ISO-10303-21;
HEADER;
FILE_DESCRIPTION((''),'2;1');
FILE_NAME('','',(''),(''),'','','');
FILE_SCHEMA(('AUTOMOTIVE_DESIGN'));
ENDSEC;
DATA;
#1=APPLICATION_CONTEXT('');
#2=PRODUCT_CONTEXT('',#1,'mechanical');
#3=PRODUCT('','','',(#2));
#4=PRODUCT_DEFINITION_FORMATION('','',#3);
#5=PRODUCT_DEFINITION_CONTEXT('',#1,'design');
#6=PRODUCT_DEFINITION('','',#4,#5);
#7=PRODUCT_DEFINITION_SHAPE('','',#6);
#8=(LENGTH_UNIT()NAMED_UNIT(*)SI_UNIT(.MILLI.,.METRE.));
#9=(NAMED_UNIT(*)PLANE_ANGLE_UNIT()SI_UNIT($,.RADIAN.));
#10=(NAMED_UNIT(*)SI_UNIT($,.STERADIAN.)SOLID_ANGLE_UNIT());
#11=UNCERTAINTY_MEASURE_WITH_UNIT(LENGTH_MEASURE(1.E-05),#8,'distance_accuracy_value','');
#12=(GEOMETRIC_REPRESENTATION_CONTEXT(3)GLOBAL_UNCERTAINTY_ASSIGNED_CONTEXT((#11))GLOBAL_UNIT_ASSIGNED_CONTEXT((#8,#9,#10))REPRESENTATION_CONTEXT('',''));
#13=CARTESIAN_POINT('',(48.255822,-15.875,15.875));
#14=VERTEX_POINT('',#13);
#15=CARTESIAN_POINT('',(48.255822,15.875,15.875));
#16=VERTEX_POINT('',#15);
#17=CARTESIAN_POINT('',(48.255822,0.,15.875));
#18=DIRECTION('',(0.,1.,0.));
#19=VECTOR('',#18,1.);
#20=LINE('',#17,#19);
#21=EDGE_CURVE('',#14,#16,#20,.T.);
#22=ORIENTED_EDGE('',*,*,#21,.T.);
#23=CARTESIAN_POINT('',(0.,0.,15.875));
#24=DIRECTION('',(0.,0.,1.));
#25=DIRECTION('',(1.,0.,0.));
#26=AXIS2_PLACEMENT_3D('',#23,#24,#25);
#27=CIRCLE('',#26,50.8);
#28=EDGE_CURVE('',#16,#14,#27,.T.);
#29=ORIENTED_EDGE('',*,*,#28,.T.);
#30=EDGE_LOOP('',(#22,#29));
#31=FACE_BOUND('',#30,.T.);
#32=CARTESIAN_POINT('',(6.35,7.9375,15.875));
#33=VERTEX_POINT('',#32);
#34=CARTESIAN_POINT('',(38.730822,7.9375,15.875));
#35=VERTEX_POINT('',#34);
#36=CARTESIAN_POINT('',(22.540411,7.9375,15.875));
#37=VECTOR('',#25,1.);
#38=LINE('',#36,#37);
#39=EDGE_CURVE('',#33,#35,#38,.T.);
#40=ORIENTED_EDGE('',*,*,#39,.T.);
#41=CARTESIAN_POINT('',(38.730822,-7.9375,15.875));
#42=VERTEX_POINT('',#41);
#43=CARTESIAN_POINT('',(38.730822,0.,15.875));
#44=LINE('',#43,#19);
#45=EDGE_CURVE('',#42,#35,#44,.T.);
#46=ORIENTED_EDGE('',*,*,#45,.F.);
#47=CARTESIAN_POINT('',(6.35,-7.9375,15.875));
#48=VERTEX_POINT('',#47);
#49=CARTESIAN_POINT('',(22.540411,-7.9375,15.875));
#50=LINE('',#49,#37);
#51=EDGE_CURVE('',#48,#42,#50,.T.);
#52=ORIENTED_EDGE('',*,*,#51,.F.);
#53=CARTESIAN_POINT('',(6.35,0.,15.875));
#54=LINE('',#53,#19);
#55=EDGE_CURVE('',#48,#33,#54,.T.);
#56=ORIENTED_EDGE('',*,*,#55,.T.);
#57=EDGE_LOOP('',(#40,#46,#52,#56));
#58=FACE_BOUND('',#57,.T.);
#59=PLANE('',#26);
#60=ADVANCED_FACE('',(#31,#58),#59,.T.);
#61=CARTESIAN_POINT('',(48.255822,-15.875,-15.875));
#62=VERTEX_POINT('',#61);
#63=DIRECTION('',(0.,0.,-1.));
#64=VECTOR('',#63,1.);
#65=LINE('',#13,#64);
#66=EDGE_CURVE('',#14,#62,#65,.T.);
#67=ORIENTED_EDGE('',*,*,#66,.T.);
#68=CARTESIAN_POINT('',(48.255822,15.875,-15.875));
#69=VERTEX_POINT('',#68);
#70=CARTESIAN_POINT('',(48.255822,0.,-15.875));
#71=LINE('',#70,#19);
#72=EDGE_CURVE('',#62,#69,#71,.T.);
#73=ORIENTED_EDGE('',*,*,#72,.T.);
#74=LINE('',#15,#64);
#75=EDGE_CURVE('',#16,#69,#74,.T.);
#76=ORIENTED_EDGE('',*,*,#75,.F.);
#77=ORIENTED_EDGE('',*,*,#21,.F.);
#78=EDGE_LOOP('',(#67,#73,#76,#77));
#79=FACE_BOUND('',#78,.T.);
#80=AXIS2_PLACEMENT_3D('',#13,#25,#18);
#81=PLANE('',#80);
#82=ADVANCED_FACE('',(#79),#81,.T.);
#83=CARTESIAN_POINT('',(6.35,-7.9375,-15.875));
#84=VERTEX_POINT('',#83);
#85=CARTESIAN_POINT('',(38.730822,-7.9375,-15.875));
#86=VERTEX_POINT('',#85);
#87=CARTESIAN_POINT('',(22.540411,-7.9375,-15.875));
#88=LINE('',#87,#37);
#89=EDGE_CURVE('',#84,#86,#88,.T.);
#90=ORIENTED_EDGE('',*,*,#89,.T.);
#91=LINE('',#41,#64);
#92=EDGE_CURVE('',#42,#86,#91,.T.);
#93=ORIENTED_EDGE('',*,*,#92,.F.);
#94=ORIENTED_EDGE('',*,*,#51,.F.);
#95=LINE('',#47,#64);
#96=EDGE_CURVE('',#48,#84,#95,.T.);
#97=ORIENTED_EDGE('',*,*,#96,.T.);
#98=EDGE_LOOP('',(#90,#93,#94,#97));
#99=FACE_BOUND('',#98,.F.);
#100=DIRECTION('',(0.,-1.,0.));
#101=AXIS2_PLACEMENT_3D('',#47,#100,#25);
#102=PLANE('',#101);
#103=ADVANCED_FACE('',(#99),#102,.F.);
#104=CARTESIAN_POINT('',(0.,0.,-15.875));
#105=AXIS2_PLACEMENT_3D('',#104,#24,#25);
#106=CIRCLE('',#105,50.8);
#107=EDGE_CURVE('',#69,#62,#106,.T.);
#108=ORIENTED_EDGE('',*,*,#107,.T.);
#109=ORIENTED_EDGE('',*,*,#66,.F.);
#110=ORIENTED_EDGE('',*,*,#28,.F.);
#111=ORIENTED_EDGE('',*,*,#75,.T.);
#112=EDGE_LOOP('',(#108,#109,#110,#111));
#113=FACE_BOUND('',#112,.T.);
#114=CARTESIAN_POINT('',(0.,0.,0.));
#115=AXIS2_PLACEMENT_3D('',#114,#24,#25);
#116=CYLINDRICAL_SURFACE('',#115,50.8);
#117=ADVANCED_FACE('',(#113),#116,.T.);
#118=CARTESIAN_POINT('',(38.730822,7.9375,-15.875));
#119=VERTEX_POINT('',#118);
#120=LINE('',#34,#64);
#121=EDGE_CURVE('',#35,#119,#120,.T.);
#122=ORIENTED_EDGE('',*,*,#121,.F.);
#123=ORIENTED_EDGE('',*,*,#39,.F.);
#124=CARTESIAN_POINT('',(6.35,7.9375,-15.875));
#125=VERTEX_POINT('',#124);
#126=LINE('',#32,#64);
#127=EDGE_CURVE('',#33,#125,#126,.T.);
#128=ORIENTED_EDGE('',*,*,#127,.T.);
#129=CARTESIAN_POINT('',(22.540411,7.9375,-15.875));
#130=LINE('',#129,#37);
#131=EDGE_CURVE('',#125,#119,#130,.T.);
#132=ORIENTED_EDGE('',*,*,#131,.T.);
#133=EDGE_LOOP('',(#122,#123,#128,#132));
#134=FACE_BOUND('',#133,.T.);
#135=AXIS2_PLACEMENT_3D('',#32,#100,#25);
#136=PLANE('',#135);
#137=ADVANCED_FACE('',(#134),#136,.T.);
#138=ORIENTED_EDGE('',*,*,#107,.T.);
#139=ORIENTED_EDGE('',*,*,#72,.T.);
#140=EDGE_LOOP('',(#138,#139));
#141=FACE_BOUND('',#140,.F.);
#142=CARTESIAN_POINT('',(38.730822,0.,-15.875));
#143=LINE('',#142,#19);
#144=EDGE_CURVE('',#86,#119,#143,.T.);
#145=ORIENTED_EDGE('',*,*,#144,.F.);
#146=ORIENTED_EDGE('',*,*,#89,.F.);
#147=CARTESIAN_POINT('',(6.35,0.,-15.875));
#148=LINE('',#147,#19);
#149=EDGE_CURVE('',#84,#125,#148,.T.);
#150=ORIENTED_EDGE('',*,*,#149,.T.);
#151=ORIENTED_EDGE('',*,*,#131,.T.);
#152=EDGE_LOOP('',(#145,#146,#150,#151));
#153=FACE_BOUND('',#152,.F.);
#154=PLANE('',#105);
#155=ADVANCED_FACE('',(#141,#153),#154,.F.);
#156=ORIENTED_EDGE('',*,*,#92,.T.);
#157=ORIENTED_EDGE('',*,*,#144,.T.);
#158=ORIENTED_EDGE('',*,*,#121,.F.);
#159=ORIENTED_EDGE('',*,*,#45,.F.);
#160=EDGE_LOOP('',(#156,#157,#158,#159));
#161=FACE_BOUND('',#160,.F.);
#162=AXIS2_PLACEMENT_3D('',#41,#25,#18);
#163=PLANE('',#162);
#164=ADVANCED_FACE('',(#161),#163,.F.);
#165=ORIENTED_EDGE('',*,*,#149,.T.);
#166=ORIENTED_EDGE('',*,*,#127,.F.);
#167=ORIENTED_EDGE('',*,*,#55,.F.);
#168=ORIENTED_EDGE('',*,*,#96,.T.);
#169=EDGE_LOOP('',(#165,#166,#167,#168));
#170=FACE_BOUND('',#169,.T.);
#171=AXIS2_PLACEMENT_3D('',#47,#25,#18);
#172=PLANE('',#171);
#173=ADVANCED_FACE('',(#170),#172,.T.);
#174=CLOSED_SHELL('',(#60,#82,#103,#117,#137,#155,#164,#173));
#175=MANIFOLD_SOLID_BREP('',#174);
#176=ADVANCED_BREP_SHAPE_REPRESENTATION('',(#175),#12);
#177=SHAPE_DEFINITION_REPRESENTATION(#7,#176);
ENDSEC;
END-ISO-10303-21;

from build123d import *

# Parameters (mm, degrees)
F0_R     = 50.8
F1_DEPTH = 15.875
F2_W     = 2.544178
F2_H     = 31.75
F3_DEPTH = 31.75
F4_W     = 32.380822
F4_H     = 15.875
F5_DEPTH = 31.75


with BuildPart() as f1:
    # F0 (on Top) → F1 (new body, symmetric)
    with BuildSketch(Plane.XY):
        Circle(F0_R)
    extrude(amount=F1_DEPTH, both=True)

    # F2 (on face) → F3 (cut, through all)
    with BuildSketch(Plane.XY.offset(15.875)):
        with Locations((49.527911, 0)):
            Rectangle(F2_W, F2_H)
    extrude(amount=-F3_DEPTH, mode=Mode.SUBTRACT)

    # F4 (on face) → F5 (cut, through all)
    with BuildSketch(Plane.XY.offset(15.875)):
        with Locations((22.540411, 0)):
            Rectangle(F4_W, F4_H)
    extrude(amount=-F5_DEPTH, mode=Mode.SUBTRACT)


solid = f1.part
